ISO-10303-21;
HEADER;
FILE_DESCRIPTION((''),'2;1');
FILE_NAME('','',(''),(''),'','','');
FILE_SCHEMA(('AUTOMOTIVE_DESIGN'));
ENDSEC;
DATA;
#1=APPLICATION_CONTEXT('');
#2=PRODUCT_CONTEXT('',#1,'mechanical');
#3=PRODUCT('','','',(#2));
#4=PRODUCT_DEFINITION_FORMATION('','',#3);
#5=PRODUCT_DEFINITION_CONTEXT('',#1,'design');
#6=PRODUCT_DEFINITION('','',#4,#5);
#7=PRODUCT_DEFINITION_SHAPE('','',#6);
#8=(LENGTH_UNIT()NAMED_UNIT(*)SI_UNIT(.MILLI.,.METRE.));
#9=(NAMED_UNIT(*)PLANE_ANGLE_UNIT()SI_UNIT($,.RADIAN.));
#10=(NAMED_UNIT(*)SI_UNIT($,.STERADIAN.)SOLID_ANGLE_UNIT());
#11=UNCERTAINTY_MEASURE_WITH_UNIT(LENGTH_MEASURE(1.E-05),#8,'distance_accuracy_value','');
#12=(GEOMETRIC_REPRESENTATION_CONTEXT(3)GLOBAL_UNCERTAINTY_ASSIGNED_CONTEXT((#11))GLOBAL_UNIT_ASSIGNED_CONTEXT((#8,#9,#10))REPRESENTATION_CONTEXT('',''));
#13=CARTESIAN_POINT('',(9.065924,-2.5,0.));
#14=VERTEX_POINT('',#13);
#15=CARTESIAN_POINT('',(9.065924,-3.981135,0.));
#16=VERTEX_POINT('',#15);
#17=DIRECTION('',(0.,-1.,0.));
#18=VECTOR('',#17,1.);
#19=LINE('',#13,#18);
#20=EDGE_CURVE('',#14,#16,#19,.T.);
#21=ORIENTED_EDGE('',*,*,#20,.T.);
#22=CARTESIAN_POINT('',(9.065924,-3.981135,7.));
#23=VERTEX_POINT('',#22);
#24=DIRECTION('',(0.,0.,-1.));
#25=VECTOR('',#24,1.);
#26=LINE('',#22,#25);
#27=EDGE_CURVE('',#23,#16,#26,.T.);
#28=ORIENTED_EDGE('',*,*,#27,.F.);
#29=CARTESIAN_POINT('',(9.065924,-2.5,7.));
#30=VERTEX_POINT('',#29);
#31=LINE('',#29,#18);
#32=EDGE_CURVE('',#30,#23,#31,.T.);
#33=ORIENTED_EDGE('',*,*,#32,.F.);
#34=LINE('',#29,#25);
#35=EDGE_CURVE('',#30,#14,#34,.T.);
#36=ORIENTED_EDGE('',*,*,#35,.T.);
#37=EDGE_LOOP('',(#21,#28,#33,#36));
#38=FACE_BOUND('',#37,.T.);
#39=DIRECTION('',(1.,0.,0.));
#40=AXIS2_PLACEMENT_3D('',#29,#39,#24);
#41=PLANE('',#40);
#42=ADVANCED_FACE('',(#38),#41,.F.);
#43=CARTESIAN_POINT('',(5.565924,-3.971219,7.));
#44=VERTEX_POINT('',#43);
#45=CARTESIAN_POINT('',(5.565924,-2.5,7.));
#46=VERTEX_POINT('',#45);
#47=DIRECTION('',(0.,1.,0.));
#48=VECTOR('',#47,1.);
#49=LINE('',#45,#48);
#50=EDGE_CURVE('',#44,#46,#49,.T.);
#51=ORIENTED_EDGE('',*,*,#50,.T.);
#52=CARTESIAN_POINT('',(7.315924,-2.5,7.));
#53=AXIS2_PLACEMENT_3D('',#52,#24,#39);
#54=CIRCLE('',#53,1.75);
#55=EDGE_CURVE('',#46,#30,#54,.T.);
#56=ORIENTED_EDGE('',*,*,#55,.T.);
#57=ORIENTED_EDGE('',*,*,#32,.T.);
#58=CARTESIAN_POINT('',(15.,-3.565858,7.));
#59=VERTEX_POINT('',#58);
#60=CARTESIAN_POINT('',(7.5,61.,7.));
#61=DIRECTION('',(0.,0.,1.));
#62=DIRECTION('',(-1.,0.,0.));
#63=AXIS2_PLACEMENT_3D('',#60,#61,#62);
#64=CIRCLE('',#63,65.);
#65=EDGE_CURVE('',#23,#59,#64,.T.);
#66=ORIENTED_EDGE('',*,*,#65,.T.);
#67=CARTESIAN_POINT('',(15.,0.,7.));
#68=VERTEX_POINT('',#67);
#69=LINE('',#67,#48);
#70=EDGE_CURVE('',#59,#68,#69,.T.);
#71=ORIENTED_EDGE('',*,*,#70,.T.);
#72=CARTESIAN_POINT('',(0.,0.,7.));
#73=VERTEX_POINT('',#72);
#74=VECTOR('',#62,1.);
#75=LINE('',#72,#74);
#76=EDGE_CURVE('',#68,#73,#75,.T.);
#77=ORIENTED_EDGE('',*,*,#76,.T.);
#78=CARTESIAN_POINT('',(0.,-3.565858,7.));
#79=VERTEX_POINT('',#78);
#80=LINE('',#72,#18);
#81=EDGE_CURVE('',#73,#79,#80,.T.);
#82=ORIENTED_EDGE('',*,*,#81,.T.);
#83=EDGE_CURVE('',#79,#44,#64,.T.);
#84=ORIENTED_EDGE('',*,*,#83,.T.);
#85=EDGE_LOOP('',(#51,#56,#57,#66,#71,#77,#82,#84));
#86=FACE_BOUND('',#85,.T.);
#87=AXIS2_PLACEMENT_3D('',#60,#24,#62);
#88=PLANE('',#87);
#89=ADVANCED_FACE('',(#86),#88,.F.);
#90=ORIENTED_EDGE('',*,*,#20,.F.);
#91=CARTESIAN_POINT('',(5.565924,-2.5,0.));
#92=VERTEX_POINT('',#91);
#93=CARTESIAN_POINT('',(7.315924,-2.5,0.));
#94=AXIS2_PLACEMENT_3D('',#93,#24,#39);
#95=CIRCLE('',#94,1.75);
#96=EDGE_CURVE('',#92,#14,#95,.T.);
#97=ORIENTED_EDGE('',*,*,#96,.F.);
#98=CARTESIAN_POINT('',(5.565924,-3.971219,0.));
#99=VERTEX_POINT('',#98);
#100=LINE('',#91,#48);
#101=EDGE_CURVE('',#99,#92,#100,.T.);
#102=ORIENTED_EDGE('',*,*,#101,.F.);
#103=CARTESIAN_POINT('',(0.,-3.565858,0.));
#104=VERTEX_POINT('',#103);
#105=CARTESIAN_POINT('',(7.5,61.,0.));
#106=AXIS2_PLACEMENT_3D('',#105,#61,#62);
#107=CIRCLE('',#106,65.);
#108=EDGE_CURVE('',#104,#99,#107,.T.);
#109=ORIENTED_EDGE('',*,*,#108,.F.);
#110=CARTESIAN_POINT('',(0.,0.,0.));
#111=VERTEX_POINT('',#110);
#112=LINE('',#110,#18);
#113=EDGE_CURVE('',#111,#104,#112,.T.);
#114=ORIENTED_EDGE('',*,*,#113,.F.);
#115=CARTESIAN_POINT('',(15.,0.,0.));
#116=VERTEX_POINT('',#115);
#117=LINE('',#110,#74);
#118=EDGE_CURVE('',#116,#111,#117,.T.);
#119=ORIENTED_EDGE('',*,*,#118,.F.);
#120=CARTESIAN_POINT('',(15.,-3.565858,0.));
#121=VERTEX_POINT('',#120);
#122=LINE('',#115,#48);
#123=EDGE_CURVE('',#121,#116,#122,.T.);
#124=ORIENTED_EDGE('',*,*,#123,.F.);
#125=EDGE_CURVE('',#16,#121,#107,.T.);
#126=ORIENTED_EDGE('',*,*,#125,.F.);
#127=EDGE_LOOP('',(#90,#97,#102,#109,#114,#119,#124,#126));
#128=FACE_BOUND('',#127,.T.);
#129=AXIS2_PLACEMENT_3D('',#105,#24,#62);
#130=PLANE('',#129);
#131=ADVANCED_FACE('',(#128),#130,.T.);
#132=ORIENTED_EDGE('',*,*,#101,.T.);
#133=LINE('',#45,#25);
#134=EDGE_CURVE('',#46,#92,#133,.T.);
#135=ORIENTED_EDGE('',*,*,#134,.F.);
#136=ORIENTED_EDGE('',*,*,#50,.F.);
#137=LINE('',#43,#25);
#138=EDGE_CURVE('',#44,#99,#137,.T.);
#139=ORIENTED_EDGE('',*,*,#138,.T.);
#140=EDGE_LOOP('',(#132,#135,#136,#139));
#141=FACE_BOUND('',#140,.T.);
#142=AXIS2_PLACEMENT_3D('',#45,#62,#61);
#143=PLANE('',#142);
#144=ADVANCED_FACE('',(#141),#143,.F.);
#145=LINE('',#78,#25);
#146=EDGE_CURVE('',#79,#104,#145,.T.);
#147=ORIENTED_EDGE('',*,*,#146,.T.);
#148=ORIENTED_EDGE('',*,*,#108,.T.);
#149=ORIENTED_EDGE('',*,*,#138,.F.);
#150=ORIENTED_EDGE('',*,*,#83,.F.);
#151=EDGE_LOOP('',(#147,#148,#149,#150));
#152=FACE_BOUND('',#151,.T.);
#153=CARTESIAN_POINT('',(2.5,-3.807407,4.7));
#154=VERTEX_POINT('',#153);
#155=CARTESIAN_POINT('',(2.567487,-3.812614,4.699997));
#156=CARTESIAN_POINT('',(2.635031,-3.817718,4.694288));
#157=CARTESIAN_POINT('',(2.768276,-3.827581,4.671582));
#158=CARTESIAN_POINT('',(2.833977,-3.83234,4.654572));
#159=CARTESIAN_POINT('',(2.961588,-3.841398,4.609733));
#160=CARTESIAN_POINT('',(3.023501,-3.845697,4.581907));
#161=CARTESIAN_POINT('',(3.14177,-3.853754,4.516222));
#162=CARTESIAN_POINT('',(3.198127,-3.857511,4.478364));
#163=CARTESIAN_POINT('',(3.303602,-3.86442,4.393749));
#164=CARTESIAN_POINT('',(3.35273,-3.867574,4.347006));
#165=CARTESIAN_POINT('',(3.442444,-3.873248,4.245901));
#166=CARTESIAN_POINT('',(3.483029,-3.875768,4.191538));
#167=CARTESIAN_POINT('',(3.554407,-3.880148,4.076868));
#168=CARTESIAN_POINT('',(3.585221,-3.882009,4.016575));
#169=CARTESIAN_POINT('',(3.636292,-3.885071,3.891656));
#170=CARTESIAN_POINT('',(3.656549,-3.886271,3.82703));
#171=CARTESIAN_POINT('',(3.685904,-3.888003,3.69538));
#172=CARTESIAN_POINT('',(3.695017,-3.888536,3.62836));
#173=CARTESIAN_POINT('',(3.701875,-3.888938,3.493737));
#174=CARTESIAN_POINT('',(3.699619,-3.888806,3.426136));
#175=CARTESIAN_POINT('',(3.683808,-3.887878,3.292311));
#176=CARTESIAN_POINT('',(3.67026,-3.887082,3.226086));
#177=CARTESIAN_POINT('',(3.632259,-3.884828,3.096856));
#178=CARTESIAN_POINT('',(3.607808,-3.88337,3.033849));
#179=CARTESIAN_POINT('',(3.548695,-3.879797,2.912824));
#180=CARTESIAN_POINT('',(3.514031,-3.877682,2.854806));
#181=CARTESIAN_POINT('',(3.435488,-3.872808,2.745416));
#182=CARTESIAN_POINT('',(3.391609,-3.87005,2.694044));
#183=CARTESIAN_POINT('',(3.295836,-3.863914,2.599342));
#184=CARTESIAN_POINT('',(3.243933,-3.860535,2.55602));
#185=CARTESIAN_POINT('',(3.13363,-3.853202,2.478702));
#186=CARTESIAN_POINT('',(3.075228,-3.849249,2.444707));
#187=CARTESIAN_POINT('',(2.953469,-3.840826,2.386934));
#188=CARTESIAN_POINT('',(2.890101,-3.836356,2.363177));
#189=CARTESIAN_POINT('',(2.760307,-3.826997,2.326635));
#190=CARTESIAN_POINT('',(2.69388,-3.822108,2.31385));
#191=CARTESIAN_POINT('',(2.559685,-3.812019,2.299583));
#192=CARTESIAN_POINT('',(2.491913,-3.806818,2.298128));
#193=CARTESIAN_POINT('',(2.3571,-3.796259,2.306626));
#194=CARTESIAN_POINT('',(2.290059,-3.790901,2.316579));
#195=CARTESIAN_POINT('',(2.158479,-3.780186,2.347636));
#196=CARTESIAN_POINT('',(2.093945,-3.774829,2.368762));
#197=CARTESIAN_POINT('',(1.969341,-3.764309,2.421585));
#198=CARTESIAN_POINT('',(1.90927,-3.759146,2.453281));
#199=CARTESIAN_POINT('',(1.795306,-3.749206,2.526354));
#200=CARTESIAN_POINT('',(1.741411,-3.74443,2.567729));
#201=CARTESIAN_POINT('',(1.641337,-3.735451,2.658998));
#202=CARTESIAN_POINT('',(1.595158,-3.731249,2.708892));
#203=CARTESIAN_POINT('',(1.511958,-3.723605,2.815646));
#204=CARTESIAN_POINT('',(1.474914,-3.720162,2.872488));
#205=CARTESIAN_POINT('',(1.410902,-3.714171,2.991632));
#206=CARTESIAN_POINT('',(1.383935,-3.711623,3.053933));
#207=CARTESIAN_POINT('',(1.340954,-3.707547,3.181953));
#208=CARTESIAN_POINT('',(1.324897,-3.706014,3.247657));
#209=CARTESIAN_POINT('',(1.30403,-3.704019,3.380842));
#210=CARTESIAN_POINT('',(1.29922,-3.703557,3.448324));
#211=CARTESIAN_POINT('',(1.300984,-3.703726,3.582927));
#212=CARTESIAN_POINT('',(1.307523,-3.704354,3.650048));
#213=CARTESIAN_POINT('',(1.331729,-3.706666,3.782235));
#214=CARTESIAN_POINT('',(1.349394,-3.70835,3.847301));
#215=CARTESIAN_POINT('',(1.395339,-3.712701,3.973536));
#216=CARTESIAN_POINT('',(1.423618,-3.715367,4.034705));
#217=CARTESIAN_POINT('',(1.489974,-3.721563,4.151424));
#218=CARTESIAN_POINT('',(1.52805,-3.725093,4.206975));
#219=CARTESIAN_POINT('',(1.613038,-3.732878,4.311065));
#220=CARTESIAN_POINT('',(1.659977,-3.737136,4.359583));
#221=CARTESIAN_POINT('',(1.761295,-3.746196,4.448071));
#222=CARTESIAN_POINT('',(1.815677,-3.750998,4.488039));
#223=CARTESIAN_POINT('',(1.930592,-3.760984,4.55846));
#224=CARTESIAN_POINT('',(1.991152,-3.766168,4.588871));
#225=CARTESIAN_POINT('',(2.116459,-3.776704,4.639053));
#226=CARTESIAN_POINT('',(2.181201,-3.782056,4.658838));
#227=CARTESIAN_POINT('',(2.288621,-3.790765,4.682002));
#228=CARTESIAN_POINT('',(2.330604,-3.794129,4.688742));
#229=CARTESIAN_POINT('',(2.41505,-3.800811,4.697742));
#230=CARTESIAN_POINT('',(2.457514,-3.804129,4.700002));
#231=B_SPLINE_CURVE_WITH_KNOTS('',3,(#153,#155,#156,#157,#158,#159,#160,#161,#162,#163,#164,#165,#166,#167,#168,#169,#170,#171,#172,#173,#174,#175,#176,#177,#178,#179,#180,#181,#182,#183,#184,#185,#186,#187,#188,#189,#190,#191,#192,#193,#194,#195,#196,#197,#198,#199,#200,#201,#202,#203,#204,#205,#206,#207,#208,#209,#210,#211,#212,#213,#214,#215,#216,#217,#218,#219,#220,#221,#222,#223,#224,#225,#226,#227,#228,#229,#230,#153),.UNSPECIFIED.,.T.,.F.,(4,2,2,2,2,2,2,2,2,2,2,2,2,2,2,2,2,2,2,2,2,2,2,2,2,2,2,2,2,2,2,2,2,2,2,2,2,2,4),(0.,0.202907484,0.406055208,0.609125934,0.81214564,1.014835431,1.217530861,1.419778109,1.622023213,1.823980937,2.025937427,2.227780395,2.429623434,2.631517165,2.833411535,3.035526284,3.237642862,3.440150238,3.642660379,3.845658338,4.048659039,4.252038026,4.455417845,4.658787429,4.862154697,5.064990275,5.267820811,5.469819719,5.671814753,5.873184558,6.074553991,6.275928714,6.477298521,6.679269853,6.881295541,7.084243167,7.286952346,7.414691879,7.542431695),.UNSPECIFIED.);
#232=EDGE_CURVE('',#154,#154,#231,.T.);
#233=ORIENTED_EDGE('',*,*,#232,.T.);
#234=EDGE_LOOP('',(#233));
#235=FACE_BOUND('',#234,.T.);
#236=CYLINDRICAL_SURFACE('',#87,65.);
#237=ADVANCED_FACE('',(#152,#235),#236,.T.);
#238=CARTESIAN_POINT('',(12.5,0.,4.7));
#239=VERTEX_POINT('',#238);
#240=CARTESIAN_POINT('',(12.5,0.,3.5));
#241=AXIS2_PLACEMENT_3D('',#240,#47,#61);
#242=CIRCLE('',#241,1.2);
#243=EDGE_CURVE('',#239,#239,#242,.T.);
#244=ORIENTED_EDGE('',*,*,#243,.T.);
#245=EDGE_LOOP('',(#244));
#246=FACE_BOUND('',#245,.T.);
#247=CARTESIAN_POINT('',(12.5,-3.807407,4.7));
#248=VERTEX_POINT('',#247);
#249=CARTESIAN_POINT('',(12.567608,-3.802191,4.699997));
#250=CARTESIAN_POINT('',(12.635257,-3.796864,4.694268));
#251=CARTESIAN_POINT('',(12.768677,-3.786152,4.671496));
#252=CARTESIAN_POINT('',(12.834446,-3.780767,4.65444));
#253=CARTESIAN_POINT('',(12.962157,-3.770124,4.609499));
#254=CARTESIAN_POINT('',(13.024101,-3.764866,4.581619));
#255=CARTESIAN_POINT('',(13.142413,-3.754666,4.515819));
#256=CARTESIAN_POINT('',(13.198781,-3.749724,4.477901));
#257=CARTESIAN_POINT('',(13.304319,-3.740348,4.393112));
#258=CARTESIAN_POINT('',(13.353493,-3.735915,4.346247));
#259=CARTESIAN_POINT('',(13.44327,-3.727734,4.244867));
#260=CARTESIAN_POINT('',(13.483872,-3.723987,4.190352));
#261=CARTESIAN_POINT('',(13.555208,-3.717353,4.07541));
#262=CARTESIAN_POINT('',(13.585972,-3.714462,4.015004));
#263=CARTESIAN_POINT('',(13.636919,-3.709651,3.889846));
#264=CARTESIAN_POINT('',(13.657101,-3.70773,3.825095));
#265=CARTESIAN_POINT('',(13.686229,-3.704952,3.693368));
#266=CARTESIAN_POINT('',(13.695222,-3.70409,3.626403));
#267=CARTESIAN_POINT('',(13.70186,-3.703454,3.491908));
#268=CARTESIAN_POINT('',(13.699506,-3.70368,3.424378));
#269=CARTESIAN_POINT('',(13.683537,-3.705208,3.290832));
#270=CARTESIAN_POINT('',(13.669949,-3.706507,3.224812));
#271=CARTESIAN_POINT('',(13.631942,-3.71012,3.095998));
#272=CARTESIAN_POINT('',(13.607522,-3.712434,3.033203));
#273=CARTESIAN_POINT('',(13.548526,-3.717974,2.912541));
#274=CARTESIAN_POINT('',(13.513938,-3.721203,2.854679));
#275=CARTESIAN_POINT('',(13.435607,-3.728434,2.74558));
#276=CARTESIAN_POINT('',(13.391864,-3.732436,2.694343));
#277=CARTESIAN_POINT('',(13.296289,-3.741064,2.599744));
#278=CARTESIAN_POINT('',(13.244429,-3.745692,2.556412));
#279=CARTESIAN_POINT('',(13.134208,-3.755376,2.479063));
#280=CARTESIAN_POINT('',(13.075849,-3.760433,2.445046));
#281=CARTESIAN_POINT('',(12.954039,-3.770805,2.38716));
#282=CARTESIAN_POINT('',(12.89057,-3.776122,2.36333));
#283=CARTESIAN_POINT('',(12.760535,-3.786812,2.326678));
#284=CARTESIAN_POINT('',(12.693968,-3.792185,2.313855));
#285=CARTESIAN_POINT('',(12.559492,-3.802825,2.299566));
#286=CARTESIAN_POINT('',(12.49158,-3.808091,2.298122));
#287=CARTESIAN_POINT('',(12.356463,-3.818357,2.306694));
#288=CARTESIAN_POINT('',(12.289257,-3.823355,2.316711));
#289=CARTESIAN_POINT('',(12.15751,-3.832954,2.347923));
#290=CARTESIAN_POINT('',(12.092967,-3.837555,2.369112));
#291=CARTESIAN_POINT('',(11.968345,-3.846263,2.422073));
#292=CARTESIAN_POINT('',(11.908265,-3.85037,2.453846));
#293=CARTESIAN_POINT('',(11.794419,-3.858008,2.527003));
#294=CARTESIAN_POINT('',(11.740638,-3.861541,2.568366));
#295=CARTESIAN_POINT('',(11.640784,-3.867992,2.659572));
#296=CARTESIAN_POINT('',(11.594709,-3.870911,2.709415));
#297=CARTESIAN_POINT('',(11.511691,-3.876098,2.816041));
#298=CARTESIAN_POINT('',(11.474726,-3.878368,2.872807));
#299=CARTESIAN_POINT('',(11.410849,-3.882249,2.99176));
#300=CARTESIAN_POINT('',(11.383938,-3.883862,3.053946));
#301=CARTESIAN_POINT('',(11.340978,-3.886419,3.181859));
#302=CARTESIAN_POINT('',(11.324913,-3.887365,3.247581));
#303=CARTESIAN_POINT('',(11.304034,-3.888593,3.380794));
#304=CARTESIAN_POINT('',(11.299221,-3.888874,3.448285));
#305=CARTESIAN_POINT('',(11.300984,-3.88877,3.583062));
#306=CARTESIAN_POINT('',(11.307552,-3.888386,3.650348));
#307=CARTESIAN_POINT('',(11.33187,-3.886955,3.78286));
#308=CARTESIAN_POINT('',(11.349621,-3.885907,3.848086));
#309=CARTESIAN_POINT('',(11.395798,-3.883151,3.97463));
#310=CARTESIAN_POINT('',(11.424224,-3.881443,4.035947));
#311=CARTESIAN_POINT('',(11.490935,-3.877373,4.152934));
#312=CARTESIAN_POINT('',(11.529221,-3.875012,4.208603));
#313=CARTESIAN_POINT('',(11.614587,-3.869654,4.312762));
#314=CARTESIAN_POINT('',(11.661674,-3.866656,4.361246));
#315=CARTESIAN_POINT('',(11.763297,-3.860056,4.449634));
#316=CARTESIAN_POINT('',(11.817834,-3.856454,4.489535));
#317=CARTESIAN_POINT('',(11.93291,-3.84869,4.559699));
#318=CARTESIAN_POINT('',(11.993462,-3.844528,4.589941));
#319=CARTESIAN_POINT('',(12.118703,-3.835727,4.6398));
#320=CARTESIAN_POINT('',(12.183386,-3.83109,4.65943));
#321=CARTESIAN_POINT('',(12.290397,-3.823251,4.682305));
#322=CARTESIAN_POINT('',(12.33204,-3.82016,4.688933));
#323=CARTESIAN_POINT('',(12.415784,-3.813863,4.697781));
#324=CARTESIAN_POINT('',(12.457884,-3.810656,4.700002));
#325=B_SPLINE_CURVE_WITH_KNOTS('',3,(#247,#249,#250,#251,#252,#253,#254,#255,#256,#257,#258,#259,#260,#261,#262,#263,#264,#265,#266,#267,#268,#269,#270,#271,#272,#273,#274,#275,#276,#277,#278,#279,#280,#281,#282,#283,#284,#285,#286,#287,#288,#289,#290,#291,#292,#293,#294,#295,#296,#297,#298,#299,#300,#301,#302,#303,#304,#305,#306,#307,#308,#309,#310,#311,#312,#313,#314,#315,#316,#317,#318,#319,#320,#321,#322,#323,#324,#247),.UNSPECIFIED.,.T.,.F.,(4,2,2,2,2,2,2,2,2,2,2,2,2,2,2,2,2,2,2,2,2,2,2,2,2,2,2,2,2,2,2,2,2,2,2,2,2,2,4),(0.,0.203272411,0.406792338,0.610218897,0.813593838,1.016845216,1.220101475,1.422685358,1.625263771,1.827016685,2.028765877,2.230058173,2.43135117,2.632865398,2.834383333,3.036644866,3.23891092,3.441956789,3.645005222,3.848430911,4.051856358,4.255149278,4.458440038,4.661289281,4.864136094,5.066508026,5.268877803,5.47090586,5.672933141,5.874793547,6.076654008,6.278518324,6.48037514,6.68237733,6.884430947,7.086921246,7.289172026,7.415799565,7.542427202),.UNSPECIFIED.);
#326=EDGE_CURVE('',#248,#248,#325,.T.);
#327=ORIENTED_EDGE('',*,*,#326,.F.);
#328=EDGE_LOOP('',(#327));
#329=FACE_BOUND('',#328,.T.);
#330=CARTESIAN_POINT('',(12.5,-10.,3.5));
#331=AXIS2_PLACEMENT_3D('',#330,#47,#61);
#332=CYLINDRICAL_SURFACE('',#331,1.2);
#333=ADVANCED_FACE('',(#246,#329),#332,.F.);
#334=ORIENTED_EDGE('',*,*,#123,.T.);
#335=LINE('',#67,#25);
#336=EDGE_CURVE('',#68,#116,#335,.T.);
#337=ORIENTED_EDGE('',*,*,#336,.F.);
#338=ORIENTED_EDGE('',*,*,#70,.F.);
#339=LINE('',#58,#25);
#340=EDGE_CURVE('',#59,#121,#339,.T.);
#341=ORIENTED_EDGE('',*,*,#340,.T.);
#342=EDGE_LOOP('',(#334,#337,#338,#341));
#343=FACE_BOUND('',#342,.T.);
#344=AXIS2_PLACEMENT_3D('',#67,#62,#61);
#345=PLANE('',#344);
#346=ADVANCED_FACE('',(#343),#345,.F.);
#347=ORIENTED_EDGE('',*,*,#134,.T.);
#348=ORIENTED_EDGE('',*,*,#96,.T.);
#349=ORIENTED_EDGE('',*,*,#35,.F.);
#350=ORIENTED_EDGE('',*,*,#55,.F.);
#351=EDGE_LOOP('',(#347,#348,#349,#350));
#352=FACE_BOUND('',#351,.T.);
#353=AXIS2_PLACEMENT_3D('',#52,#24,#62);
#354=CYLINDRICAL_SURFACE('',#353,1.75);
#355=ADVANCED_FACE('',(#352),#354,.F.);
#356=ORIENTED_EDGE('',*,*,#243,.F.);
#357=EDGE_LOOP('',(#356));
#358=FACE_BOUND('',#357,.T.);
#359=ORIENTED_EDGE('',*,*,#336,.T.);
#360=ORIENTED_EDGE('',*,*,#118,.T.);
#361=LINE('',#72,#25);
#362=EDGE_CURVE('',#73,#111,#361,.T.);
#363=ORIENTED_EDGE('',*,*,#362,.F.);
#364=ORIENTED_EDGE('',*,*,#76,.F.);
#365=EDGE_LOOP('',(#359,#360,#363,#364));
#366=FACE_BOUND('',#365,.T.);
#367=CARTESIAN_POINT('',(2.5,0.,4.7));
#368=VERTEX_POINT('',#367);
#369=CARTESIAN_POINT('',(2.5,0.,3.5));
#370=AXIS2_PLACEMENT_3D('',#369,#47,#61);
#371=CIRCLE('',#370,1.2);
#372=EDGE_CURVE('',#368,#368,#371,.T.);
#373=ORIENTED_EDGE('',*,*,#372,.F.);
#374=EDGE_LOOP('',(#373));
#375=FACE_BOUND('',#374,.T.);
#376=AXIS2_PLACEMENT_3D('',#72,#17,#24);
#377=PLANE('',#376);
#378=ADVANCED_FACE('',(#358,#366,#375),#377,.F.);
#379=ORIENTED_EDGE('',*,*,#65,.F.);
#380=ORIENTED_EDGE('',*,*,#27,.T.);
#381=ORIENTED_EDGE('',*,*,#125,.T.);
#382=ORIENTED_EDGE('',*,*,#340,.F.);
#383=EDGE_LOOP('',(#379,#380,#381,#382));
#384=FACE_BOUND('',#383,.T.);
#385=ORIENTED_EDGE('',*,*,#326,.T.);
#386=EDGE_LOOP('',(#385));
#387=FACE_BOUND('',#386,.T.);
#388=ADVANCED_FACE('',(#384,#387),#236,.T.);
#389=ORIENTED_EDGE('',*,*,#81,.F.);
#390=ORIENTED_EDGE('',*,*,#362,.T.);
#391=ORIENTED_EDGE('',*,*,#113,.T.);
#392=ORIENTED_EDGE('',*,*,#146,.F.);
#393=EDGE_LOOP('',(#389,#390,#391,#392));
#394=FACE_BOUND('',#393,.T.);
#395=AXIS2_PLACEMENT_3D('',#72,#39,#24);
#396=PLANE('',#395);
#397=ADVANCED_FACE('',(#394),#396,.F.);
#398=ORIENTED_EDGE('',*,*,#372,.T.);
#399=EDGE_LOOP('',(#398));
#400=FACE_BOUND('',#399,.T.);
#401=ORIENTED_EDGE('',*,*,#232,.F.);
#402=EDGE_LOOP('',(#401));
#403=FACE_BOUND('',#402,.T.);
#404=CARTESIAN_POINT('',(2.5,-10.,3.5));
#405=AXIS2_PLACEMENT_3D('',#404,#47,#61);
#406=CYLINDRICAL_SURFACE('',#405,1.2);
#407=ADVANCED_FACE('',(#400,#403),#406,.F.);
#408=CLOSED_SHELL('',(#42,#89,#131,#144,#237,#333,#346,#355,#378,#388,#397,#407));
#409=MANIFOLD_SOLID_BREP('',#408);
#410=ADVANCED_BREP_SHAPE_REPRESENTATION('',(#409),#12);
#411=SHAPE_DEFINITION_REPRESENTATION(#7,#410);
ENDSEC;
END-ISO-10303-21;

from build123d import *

# Parameters (mm, degrees)
BOSS_EXTRUDE1_DEPTH = 7
SKETCH2_R           = 1.2
CUT_EXTRUDE1_DEPTH  = 10


with BuildPart() as part:
    # Sketch1 → Boss-Extrude1 (new body)
    with BuildSketch(Plane.XY):
        with BuildLine():
            Line((0, 0), (15, 0))
            Line((15, 0), (15, -3.565857851))
            ThreePointArc((15, -3.565857851), (12.037715119, -3.841415326), (9.065924059, -3.981134815))
            Line((9.065924059, -3.981134815), (9.065924059, -2.5))
            ThreePointArc((9.065924059, -2.5), (7.315924059, -0.75), (5.565924059, -2.5))
            Line((5.565924059, -2.5), (5.565924059, -3.971219399))
            ThreePointArc((5.565924059, -3.971219399), (2.778609663, -3.828299941), (0, -3.565857851))
            Line((0, -3.565857851), (0, 0))
        make_face()
    extrude(amount=BOSS_EXTRUDE1_DEPTH)

    # Sketch2 → Cut-Extrude1 (cut)
    with BuildSketch(Plane(origin=(0, 0, 0), x_dir=(1, 0, 0), z_dir=(0, 1, 0))):
        with Locations((12.5, -3.5)):
            Circle(SKETCH2_R)
        with Locations((2.5, -3.5)):
            Circle(SKETCH2_R)
    extrude(amount=-CUT_EXTRUDE1_DEPTH, mode=Mode.SUBTRACT)


solid = part.part
